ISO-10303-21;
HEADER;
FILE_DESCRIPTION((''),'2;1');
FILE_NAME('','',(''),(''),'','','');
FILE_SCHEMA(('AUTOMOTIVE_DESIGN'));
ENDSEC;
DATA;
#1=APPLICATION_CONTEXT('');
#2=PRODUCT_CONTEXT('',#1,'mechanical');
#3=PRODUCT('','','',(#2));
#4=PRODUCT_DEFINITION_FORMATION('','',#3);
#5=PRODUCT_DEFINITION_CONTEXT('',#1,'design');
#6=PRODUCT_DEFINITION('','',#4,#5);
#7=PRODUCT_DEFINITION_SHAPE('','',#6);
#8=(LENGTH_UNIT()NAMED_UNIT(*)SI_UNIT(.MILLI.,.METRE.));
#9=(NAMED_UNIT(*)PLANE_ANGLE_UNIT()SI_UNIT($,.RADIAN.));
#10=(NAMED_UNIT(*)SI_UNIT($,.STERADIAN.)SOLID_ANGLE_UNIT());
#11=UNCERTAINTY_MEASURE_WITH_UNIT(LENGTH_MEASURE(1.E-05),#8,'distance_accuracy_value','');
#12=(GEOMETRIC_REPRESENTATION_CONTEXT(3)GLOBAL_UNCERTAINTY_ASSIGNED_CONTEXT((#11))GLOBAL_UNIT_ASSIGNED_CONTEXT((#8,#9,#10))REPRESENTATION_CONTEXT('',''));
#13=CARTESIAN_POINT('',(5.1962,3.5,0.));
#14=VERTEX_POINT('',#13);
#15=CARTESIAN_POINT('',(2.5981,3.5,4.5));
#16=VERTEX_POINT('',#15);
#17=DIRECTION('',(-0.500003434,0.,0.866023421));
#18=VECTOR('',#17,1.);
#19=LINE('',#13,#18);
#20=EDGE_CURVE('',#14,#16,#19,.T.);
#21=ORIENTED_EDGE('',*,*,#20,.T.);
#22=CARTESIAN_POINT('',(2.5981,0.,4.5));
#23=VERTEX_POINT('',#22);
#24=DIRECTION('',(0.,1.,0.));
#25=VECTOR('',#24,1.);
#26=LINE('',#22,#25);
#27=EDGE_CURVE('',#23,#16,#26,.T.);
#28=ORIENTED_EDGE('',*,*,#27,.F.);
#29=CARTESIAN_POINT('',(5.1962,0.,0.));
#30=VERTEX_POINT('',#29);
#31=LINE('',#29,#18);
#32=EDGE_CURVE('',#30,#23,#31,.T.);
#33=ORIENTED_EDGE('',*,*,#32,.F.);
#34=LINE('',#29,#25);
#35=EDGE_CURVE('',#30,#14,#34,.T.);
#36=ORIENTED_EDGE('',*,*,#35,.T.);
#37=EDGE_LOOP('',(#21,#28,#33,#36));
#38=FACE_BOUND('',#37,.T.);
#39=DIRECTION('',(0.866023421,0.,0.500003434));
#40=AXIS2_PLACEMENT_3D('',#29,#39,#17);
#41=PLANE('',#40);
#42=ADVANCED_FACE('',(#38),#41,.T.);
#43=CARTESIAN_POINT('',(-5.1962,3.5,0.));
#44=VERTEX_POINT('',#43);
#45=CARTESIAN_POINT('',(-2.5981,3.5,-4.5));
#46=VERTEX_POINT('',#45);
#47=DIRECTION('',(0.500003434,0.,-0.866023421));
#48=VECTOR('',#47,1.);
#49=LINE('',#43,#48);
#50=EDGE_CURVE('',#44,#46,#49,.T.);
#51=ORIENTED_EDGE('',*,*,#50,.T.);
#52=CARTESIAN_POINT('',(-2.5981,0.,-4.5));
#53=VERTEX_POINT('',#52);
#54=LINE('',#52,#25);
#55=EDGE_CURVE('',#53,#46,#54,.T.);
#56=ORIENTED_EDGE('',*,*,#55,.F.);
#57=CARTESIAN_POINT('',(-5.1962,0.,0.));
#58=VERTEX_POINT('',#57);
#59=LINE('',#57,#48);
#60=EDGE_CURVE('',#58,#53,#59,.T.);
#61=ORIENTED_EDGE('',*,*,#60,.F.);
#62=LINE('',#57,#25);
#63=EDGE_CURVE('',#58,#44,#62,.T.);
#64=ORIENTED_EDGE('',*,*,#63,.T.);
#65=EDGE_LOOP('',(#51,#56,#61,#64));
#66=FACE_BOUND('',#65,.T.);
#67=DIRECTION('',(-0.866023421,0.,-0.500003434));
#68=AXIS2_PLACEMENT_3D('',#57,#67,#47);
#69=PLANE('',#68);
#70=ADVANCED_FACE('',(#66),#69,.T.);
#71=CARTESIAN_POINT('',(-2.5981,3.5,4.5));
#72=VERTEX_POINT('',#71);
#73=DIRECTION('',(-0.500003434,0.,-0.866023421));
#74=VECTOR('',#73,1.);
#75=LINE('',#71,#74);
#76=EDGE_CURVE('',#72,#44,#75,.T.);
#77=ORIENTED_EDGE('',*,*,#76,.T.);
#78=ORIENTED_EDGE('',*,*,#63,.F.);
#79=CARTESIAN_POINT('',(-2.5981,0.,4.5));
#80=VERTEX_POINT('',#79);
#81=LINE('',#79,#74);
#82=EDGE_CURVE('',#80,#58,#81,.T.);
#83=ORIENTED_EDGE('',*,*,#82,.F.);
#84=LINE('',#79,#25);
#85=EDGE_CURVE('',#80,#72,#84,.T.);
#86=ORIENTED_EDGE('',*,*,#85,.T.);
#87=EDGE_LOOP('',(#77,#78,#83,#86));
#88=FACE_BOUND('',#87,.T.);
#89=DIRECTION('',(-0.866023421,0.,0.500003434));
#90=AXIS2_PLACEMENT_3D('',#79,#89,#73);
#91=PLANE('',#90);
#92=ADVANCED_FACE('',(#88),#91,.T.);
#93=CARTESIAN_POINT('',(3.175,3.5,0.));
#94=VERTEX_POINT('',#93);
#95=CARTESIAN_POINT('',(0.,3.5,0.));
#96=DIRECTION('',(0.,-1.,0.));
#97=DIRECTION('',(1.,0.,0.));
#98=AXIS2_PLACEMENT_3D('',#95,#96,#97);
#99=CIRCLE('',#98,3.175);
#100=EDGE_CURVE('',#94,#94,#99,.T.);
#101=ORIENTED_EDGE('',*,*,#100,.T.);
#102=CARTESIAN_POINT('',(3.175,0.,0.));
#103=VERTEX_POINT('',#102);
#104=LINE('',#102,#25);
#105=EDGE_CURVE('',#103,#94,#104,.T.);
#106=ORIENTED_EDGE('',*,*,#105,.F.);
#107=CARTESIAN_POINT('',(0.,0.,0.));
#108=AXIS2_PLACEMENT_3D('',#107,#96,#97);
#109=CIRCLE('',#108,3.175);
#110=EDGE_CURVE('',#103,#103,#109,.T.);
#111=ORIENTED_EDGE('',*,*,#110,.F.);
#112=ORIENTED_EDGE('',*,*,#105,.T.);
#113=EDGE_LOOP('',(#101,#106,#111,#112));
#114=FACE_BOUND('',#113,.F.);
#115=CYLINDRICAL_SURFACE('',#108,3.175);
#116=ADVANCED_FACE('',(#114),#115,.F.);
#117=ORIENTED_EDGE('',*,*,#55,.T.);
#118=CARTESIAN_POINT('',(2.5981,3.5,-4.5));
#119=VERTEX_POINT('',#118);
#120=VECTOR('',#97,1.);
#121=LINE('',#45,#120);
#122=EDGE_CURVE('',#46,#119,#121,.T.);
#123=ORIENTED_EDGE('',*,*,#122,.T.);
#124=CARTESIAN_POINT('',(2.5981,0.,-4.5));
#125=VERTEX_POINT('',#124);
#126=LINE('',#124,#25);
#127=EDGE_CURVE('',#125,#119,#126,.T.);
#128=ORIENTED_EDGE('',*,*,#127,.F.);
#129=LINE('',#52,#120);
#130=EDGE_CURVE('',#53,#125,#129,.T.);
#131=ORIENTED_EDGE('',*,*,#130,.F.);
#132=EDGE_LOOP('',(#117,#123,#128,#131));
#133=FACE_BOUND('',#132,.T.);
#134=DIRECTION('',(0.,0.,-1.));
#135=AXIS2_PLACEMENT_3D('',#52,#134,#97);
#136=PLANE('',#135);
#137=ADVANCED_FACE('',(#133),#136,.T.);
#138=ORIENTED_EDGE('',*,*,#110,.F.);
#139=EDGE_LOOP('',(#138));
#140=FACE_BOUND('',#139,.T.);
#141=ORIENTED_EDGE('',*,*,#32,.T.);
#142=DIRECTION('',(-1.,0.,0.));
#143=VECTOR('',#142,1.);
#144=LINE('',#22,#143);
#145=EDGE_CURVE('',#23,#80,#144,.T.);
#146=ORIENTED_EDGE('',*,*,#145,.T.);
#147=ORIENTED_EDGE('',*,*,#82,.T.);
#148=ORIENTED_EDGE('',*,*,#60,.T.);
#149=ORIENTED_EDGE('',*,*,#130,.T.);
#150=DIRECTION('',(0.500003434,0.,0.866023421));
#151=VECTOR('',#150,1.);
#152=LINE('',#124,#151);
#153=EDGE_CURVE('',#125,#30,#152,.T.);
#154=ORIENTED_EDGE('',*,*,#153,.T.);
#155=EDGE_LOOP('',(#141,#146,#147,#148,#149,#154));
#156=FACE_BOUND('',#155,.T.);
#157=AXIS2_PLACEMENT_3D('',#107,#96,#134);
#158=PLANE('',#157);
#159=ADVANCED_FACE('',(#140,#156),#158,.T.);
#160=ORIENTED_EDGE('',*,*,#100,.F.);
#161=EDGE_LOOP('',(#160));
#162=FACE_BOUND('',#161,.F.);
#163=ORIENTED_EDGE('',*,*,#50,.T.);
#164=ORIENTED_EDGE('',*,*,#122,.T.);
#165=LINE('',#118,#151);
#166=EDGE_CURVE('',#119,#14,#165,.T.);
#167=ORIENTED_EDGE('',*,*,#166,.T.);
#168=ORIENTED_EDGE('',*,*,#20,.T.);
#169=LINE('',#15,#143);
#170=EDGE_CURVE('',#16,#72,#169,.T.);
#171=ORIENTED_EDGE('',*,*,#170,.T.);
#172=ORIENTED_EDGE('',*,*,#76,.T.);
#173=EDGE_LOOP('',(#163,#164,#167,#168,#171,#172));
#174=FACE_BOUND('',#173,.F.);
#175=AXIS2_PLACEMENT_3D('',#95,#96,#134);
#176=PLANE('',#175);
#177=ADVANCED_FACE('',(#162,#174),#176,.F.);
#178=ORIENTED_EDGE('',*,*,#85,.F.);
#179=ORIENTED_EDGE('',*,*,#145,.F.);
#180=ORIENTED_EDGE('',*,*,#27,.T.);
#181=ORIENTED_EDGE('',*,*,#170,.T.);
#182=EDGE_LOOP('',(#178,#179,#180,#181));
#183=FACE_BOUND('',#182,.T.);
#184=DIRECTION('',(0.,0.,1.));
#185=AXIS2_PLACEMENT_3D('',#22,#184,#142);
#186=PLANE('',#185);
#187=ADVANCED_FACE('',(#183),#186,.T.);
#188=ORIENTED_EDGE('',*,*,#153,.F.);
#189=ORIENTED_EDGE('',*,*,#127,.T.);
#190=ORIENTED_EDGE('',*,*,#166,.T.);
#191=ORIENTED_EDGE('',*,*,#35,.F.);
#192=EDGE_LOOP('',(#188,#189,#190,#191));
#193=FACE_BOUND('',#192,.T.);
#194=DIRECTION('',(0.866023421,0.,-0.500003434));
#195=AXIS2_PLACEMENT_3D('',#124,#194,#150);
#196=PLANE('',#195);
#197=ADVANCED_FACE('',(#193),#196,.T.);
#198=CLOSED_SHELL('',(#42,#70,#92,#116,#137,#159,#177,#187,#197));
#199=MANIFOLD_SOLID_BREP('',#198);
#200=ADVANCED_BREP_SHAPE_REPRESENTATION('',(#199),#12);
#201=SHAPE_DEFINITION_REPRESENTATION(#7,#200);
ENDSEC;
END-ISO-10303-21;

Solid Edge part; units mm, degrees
sketch "Sketch1" plane through (0, 0, 0) normal (0, -1, 0) x (1, 0, 0)
  circle A0 centre (0, 0) radius 3.175
  line L0 (-2.5981, 4.5) -> (-5.1962, 0)
  line L1 (-5.1962, 0) -> (-2.5981, -4.5)
  line L2 (-2.5981, -4.5) -> (2.5981, -4.5)
  line L3 (2.5981, -4.5) -> (5.1962, 0)
  line L4 (5.1962, 0) -> (2.5981, 4.5)
  line L5 (2.5981, 4.5) -> (-2.5981, 4.5)
extrude "Protrusion1" add sketch "Sketch1" against normal blind 3.5
